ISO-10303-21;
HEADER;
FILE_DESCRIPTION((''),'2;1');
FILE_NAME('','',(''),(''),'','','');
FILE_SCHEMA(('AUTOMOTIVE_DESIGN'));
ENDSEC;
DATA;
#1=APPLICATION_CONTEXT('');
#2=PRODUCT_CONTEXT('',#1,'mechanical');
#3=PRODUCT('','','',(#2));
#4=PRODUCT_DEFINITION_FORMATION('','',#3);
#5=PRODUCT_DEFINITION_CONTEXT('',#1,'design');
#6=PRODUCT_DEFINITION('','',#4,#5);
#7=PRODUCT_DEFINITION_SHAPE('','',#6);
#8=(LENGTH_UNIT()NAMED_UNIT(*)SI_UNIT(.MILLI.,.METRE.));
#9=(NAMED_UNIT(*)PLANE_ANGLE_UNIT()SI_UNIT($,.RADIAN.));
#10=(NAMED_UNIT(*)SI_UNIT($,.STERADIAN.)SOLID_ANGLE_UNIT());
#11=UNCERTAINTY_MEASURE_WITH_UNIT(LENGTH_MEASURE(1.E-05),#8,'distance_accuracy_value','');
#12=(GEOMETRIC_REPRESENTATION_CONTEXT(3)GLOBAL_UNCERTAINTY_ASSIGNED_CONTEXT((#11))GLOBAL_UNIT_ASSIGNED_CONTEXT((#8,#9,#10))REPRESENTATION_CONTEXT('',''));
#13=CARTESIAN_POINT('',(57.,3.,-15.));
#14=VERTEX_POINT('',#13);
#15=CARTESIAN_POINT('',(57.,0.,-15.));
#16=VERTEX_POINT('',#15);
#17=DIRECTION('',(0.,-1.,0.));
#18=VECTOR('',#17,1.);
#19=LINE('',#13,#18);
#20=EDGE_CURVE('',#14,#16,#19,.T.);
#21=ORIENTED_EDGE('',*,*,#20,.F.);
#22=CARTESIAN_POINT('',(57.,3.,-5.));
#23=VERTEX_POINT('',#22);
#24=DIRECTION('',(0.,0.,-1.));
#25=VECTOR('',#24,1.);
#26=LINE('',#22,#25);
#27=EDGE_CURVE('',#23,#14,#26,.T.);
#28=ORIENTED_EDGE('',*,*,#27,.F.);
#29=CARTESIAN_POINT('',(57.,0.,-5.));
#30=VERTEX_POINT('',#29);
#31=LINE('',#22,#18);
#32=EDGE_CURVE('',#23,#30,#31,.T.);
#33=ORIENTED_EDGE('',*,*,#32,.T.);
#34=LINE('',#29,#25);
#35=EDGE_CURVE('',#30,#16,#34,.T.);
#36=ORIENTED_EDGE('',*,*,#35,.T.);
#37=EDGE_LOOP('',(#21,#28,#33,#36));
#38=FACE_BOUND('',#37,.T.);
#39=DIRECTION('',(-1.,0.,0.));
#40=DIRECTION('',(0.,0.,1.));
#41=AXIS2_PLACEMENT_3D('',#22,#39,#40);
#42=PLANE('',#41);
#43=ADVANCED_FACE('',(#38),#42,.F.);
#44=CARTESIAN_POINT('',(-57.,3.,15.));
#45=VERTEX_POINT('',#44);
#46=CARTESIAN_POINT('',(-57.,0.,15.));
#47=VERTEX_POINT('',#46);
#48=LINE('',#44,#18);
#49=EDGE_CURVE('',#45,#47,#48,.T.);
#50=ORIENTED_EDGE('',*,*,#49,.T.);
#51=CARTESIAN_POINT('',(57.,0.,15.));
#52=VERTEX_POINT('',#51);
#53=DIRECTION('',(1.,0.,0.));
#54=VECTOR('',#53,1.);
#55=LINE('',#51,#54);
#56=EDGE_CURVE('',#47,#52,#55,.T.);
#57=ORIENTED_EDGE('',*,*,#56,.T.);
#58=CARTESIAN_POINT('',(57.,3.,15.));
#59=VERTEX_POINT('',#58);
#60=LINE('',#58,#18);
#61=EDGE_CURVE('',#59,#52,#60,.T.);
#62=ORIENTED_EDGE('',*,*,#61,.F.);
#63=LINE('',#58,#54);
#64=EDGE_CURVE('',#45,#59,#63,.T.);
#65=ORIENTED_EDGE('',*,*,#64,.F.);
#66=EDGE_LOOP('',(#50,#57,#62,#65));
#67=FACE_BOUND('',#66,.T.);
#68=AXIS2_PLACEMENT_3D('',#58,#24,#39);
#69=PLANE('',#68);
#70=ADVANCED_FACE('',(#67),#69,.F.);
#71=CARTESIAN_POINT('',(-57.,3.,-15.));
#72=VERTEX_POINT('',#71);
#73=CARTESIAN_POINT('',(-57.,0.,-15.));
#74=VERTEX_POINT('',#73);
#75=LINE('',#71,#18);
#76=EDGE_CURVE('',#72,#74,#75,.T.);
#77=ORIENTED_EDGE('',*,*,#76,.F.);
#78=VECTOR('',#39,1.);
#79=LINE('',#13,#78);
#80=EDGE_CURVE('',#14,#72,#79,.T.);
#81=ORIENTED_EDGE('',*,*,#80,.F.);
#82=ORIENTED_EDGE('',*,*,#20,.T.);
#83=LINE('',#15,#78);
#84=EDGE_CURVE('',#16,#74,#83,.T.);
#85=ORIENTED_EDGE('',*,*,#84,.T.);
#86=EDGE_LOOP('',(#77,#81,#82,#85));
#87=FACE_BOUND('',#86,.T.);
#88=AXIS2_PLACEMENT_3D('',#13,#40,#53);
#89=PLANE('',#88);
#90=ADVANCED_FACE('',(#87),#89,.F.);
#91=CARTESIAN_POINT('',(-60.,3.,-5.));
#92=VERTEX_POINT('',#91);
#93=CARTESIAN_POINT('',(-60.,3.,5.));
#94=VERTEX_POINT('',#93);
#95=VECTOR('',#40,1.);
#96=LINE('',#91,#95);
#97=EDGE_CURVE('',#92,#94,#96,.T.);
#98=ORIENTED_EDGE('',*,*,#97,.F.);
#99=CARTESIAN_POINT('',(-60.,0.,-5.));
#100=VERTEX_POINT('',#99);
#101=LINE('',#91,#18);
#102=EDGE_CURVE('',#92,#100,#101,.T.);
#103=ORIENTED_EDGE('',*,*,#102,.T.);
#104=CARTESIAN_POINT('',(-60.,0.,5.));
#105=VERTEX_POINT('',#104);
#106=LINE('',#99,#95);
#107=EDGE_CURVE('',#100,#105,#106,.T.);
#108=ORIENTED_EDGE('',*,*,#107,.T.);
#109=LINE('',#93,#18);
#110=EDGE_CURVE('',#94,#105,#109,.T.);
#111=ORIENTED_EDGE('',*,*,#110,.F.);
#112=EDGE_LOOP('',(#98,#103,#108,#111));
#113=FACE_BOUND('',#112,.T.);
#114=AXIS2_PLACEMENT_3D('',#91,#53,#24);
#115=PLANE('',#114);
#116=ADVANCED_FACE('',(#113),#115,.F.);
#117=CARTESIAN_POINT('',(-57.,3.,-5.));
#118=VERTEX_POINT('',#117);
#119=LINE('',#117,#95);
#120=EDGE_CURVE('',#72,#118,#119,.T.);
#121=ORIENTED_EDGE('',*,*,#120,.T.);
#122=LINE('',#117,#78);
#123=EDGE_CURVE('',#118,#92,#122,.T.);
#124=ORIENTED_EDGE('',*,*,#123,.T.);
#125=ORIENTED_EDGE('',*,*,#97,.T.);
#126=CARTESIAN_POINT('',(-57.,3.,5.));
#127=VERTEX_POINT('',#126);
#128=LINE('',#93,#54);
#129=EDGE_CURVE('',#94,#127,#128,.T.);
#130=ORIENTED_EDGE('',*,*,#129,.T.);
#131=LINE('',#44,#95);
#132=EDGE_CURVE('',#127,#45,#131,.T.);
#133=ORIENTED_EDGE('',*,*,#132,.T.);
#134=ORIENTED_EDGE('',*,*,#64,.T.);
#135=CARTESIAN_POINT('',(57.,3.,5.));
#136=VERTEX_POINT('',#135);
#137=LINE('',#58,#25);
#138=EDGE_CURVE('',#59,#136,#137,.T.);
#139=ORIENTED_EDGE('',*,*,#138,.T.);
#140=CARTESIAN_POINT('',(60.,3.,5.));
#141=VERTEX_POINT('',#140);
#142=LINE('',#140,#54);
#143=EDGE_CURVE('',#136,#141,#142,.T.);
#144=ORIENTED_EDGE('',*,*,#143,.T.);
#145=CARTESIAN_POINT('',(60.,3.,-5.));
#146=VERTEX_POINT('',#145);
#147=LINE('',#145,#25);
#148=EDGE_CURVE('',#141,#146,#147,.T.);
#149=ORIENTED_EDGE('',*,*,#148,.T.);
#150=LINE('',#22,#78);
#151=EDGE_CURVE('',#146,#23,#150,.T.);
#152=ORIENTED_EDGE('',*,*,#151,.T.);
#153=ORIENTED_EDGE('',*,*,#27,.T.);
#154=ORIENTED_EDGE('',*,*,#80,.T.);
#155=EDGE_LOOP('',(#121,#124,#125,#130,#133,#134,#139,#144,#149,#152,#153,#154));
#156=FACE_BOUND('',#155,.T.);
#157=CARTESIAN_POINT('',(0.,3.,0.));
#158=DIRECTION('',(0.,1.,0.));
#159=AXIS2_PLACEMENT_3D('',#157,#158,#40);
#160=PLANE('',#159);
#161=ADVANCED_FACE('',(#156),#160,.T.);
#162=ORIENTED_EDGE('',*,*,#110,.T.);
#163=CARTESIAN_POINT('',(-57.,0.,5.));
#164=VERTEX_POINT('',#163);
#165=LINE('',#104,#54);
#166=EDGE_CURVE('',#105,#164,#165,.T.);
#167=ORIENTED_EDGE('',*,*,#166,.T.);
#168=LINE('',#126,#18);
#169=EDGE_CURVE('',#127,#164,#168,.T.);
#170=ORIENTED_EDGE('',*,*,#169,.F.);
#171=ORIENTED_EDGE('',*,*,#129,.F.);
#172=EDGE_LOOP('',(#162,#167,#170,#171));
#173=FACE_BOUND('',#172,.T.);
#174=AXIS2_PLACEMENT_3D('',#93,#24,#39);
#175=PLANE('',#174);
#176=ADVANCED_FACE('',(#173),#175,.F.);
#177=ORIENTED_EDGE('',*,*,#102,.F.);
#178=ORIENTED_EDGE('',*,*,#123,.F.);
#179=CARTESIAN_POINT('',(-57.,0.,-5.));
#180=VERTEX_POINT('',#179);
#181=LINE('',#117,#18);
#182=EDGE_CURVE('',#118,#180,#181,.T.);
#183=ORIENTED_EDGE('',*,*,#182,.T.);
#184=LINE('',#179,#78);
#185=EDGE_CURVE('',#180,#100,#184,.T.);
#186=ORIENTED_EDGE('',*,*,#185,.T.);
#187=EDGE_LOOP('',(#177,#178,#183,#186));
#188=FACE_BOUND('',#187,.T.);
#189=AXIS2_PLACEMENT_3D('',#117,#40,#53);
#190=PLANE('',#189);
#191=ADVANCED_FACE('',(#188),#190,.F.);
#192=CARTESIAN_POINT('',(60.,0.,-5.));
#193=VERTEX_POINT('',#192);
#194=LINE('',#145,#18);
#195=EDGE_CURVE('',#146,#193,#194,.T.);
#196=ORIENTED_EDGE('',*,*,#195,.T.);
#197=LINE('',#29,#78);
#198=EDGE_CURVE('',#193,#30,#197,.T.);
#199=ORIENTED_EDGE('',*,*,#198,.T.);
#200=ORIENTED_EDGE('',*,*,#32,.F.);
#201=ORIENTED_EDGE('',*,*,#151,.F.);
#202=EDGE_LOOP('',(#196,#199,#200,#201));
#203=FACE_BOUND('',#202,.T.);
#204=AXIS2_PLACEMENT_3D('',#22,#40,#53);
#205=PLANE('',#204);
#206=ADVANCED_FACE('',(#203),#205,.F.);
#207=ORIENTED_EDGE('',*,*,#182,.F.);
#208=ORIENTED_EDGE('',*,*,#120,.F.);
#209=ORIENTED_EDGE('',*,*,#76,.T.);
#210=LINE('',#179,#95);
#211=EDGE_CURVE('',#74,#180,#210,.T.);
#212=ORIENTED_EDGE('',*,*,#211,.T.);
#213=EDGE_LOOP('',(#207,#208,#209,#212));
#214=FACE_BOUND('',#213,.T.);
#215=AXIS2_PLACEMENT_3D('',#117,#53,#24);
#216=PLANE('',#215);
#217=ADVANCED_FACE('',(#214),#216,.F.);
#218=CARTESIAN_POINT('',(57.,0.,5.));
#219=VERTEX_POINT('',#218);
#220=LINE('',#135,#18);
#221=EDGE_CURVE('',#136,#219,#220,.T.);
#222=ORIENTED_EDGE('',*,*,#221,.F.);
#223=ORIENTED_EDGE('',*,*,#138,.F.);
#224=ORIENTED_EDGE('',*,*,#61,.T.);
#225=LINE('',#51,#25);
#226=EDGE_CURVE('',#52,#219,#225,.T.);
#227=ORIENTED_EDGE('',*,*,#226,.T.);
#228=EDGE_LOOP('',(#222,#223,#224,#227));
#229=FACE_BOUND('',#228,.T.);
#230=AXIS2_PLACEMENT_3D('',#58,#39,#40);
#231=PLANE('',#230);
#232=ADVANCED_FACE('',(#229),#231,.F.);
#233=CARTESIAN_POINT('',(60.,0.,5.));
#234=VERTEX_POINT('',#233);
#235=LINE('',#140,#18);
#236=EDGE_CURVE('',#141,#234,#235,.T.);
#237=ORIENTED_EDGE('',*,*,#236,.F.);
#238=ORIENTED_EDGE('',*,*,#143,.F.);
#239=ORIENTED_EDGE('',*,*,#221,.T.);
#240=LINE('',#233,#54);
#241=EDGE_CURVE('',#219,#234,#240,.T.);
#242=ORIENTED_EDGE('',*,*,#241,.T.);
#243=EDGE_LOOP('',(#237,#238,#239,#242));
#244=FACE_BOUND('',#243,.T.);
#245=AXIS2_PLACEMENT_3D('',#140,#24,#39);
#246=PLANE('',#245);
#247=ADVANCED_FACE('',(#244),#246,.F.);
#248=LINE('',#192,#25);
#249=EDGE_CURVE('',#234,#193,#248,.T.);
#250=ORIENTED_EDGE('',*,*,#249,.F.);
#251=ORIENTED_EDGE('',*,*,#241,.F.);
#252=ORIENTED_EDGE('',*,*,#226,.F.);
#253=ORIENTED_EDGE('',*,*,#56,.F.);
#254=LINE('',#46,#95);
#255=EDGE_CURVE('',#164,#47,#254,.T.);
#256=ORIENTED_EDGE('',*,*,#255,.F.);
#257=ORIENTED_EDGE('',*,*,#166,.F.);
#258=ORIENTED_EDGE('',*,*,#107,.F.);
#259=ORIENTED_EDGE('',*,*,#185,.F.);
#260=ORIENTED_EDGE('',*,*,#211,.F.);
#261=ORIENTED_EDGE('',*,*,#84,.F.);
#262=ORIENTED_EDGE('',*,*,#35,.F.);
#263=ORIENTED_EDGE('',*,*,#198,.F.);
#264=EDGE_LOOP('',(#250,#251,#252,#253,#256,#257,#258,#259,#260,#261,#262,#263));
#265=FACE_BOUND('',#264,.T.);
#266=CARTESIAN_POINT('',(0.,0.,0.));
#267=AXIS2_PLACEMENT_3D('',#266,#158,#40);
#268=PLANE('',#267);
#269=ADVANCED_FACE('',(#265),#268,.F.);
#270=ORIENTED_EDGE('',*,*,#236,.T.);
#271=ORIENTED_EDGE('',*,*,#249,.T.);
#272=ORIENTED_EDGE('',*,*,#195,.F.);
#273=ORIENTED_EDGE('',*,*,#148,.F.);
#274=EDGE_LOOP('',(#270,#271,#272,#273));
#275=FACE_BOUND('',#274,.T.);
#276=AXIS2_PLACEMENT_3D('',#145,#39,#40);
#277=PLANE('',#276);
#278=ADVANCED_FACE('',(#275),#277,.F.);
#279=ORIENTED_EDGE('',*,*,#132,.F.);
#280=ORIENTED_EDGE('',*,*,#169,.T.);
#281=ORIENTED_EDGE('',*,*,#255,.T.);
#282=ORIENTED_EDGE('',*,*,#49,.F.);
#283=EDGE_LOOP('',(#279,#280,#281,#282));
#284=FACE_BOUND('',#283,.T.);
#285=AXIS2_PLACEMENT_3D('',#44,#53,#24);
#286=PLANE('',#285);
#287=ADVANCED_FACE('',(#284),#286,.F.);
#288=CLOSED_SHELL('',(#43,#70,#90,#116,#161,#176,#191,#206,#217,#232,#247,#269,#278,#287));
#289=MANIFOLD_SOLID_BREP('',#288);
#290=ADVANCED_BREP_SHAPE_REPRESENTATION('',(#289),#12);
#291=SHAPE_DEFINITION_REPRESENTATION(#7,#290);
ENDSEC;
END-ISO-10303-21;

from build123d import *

# Parameters (mm, degrees)
SALIENTE_EXTRUIR1_DEPTH = 3


with BuildPart() as part:
    # Croquis1 → Saliente-Extruir1 (new body)
    with BuildSketch(Plane(origin=(0, 0, 0), x_dir=(1, 0, 0), z_dir=(0, 1, 0))):
        Polygon((-57, 5), (-60, 5), (-60, -5), (-57, -5), (-57, -15), (57, -15), (57, -5), (60, -5), (60, 5), (57, 5), (57, 15), (-57, 15), align=None)
    extrude(amount=SALIENTE_EXTRUIR1_DEPTH)


solid = part.part
